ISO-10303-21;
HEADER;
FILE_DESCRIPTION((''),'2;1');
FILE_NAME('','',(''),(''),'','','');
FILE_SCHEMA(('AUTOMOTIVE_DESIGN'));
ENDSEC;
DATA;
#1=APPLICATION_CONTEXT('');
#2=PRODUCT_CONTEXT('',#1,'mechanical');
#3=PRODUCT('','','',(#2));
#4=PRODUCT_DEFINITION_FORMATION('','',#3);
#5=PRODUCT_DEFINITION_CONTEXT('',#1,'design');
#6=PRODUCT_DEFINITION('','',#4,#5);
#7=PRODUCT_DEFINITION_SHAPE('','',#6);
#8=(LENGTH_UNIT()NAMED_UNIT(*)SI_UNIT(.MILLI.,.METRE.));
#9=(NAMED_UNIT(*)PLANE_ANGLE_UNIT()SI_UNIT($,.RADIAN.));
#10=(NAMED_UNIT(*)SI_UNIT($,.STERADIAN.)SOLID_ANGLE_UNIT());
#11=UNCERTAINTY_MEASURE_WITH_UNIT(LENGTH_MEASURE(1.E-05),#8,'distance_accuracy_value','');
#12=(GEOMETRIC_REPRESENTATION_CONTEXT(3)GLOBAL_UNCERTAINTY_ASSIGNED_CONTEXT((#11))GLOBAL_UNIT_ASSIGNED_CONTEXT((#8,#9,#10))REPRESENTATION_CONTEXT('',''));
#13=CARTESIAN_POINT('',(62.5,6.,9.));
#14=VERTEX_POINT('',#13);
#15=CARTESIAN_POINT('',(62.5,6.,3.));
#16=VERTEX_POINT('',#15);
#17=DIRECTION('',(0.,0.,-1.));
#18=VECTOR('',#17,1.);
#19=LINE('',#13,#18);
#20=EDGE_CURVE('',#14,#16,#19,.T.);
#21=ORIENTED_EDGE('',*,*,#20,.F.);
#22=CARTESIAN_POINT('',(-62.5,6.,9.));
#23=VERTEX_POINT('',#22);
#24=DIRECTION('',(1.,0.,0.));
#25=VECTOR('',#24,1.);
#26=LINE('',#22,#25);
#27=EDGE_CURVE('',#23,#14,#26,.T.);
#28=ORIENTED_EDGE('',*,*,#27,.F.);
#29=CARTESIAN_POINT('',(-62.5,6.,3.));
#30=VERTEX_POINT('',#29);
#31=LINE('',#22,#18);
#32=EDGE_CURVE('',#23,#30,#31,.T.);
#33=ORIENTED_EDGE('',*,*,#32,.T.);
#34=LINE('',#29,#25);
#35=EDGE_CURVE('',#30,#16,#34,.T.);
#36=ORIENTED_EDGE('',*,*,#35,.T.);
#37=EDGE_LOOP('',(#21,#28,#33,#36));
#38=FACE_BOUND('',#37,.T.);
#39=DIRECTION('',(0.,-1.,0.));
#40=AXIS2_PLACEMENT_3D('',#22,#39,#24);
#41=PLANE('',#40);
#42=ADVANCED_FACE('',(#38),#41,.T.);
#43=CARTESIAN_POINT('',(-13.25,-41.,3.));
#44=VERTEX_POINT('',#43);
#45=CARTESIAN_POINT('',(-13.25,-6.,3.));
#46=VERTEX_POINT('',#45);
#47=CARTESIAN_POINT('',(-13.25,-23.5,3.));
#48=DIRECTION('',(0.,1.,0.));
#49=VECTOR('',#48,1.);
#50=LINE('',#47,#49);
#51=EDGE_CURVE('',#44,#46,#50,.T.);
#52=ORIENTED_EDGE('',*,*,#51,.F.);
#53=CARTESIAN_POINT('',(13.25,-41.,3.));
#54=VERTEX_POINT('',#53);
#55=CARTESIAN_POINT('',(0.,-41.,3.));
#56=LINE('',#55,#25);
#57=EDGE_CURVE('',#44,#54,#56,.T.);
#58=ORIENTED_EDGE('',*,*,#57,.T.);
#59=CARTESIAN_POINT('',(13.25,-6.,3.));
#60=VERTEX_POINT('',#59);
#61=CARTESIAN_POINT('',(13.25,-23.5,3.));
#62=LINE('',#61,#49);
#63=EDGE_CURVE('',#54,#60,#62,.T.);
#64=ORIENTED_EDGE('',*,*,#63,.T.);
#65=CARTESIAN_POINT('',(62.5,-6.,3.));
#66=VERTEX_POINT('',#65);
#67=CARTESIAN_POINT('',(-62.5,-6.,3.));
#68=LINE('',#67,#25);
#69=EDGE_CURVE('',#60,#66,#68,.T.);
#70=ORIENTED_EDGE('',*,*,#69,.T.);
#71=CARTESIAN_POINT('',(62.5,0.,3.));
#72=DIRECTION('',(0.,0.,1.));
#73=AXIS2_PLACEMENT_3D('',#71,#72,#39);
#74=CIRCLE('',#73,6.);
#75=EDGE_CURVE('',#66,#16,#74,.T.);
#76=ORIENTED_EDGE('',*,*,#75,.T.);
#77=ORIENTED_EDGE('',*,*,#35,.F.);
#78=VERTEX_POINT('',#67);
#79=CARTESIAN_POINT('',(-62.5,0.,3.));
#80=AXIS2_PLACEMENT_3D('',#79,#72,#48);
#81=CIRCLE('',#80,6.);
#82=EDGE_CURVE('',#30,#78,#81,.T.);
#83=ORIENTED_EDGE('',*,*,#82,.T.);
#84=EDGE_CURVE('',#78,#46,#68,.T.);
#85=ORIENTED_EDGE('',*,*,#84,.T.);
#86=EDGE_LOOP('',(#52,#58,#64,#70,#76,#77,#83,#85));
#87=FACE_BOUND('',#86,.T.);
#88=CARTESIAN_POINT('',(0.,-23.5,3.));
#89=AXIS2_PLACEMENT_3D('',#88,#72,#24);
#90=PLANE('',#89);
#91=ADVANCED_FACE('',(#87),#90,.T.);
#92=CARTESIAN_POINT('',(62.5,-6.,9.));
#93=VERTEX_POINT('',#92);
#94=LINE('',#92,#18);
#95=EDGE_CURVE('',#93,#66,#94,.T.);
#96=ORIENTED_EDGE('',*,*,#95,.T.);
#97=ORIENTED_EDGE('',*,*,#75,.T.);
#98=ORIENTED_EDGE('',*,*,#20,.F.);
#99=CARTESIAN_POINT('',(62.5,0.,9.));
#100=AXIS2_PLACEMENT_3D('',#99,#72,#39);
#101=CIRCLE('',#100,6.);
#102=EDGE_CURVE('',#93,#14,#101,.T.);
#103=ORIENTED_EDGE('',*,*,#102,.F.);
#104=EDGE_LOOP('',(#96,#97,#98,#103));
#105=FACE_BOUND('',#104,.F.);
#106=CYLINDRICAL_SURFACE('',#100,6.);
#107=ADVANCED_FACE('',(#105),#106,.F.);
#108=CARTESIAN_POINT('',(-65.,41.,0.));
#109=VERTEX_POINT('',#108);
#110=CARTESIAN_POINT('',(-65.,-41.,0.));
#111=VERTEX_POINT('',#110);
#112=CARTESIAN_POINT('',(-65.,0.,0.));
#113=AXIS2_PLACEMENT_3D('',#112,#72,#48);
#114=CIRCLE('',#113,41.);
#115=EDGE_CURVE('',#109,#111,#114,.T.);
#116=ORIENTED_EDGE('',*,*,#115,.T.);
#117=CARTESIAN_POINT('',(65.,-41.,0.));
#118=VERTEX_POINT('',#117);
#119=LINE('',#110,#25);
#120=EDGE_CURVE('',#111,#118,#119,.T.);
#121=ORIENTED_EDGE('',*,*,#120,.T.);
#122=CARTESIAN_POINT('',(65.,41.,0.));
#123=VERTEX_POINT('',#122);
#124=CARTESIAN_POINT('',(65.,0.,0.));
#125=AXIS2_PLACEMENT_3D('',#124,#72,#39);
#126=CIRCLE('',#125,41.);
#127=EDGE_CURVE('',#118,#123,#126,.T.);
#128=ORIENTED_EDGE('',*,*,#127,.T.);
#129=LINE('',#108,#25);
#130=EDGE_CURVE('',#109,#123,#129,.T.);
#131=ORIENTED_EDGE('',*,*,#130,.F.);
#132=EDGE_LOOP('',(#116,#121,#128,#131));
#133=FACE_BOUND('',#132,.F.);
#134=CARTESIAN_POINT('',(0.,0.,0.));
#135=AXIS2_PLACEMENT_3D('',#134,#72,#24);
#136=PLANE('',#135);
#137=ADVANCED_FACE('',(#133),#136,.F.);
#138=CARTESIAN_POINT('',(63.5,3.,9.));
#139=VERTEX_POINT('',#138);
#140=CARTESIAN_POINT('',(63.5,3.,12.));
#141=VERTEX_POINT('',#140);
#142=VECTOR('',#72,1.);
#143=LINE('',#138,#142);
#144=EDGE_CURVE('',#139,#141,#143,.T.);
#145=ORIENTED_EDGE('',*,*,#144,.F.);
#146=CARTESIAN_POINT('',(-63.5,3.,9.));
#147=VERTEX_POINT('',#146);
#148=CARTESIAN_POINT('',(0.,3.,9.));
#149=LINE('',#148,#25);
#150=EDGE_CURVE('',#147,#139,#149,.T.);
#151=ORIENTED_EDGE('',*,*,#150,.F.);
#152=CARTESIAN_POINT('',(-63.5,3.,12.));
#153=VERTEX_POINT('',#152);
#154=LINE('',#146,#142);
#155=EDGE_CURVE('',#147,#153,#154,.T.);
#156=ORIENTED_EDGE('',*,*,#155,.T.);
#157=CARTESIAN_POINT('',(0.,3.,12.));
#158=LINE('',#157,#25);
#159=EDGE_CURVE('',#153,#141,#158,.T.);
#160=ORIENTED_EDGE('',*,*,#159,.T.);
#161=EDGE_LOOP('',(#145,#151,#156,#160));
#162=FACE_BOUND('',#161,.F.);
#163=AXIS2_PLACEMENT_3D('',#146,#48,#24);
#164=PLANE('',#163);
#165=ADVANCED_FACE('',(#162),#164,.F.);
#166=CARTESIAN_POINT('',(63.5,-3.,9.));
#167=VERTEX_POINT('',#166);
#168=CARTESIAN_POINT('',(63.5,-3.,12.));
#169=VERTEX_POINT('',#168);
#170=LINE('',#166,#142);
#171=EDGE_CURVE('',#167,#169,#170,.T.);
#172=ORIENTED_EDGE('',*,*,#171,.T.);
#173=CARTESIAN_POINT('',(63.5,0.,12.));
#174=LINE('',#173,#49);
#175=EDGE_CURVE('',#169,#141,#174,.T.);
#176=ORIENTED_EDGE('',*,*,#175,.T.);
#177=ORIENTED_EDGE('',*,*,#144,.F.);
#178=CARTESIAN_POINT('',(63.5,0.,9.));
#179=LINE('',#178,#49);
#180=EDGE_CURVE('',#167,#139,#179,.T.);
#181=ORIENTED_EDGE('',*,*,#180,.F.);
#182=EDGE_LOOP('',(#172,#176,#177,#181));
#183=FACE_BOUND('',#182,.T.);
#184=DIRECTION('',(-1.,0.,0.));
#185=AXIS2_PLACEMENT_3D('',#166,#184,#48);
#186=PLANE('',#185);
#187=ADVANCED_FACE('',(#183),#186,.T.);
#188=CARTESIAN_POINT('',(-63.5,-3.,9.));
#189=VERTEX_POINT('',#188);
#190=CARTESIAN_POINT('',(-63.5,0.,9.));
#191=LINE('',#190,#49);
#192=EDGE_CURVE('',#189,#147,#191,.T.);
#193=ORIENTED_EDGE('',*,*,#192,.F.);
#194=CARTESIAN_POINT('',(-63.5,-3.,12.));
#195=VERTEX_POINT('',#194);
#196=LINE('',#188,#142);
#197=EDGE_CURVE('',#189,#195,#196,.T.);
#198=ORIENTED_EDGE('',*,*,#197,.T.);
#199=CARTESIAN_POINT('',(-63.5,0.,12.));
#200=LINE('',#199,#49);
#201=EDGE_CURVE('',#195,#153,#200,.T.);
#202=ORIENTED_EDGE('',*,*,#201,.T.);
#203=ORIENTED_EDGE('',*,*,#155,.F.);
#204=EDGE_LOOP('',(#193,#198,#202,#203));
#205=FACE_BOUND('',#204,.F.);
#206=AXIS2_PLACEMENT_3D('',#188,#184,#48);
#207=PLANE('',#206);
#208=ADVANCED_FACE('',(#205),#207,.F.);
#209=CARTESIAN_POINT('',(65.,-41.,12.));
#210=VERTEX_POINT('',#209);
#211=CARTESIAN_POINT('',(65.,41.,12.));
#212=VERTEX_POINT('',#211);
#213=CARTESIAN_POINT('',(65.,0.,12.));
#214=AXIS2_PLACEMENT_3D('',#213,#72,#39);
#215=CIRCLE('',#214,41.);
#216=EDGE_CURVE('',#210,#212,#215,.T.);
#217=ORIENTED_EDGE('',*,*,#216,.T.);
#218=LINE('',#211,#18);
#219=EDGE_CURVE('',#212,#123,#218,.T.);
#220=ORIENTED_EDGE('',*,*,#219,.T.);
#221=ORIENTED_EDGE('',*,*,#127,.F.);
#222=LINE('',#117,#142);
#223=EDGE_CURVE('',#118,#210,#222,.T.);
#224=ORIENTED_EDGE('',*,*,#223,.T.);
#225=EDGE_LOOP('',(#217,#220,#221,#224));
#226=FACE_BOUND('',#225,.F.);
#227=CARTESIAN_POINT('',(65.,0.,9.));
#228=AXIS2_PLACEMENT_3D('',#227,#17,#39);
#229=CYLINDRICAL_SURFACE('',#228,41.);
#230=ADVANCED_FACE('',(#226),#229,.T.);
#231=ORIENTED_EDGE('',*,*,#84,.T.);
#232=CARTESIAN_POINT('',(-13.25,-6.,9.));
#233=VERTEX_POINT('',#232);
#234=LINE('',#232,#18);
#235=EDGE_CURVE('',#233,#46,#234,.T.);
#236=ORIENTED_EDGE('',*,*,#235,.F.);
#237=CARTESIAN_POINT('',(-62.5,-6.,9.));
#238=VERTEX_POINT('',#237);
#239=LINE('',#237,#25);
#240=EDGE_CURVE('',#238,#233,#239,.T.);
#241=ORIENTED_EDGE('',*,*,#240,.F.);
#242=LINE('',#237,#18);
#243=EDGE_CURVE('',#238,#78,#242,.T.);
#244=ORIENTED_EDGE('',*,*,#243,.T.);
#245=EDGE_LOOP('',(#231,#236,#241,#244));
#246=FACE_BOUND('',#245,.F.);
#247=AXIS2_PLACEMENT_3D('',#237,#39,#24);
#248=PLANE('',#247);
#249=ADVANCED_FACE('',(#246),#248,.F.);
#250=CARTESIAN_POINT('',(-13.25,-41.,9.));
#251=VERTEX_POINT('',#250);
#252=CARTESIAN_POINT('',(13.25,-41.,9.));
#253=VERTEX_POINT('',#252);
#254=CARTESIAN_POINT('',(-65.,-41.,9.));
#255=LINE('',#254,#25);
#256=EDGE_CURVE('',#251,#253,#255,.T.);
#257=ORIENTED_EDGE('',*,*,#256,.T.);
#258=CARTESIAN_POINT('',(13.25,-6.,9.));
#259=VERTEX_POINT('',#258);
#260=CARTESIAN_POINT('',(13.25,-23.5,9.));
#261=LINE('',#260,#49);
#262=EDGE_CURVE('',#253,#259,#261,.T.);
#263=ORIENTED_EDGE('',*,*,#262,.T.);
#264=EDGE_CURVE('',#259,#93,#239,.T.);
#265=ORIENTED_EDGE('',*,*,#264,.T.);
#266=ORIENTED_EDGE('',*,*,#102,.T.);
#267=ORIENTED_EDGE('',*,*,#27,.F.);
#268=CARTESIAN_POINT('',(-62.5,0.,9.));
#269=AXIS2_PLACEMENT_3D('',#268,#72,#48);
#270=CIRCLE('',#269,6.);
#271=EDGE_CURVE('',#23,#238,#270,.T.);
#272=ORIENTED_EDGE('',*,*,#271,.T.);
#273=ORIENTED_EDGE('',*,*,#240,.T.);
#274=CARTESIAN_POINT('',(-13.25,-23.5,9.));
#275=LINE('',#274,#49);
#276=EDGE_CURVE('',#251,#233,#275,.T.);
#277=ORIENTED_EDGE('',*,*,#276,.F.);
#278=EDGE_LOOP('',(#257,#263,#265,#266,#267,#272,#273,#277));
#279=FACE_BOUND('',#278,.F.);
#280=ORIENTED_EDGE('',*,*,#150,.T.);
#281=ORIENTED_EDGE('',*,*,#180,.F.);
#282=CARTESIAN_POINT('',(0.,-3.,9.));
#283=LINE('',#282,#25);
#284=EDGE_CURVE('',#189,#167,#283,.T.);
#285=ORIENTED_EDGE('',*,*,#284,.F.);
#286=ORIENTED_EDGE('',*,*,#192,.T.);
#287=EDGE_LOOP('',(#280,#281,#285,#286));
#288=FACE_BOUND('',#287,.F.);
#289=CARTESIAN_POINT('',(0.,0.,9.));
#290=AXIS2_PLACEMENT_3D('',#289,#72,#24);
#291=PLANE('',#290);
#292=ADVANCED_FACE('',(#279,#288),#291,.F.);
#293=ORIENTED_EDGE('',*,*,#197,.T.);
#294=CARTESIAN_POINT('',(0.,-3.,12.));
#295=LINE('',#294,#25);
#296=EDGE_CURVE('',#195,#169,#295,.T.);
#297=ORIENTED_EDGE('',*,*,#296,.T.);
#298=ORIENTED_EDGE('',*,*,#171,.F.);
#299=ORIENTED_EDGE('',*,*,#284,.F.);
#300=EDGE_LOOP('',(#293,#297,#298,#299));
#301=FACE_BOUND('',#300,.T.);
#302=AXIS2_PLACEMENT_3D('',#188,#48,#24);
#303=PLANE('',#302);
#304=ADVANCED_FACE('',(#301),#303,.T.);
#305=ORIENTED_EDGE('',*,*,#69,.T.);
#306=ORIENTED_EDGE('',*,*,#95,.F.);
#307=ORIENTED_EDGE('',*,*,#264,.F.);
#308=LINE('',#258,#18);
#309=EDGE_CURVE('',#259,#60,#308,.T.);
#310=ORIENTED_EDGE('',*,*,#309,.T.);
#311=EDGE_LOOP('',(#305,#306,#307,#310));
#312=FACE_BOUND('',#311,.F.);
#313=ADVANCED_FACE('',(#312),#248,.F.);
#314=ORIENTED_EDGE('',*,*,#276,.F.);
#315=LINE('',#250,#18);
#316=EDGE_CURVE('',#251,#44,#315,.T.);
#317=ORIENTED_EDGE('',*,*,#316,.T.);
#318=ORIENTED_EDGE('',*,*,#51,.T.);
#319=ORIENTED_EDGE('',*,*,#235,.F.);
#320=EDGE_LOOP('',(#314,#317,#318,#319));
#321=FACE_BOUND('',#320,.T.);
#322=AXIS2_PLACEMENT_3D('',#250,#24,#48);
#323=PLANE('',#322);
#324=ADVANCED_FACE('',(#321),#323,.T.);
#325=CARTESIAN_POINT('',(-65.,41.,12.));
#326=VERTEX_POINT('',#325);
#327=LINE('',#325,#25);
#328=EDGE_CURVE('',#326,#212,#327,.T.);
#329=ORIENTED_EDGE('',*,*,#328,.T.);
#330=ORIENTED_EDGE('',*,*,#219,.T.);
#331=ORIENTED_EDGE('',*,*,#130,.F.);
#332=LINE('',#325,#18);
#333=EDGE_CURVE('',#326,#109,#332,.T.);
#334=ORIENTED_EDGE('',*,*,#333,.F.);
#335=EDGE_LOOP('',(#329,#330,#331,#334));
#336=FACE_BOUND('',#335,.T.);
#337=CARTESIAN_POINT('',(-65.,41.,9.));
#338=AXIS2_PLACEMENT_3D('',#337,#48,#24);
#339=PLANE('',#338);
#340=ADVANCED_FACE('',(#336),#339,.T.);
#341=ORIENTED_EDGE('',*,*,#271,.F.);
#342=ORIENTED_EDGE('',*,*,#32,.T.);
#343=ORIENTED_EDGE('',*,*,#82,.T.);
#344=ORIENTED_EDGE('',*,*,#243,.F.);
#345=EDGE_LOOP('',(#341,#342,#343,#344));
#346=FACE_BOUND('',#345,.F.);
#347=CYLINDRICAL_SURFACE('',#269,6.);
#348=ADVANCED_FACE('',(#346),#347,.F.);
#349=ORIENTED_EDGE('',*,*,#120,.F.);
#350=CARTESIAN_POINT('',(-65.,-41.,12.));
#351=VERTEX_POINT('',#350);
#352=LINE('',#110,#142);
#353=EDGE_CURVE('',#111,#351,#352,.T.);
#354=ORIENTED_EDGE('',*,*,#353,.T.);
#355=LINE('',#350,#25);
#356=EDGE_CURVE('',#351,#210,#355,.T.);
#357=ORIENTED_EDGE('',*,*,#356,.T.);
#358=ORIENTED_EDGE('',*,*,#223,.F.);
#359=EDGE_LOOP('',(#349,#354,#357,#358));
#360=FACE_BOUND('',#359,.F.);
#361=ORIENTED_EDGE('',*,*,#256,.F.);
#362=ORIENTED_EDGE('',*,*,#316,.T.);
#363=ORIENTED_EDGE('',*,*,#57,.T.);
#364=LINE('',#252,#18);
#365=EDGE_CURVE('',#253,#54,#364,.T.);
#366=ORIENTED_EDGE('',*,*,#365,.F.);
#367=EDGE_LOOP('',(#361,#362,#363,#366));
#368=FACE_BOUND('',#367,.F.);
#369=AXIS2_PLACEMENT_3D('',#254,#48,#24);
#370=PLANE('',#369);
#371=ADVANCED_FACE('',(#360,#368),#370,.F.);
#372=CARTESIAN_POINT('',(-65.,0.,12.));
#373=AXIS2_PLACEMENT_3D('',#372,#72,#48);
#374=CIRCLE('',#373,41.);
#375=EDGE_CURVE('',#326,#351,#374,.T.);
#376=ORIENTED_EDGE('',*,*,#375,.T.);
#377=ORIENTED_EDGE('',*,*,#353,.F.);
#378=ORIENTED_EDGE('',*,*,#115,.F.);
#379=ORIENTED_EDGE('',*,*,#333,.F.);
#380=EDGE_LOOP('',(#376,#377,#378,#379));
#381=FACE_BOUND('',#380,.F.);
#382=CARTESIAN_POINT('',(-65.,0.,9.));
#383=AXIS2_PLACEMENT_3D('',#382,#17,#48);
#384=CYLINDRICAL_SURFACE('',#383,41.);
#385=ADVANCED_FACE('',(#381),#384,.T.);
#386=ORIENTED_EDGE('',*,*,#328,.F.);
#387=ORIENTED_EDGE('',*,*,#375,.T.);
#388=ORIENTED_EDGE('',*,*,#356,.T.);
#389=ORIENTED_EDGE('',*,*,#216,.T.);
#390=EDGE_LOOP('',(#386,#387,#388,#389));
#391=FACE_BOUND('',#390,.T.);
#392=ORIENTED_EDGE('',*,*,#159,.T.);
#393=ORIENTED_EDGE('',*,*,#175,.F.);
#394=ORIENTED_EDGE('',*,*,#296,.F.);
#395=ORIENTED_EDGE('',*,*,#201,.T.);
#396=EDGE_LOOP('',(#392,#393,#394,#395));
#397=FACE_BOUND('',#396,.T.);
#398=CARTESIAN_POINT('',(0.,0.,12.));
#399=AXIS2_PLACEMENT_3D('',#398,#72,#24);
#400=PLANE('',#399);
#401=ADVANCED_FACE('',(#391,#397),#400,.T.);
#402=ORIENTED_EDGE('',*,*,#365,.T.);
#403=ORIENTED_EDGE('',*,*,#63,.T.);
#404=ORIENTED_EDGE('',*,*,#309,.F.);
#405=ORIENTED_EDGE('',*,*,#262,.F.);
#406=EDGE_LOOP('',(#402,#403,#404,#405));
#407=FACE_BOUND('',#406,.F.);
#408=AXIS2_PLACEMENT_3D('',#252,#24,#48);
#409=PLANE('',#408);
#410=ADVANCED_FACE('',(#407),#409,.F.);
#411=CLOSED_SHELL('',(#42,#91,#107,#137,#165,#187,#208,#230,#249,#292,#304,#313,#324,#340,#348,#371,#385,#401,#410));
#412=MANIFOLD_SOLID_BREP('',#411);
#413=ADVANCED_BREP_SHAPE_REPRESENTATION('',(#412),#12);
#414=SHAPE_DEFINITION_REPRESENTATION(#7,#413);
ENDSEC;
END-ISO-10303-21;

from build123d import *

# Parameters (mm, degrees)
PAD_DEPTH       = 9
POCKET_DEPTH    = 6
SKETCH002_W     = 26.5
SKETCH002_H     = 35
POCKET001_DEPTH = 6
SKETCH003_W     = 127
SKETCH003_H     = 6
PAD001_DEPTH    = 3


with BuildPart() as part:
    # Sketch → Pad (new body)
    with BuildSketch(Plane.XY):
        with BuildLine():
            ThreePointArc((-65, 41), (-106, 0), (-65, -41))
            Line((-65, -41), (65, -41))
            ThreePointArc((65, -41), (106, 0), (65, 41))
            Line((-65, 41), (65, 41))
        make_face()
    extrude(amount=PAD_DEPTH)

    # Sketch001 (on Face6 of Pad) → Pocket (cut)
    with BuildSketch(Plane.XY.offset(9)):
        with BuildLine():
            ThreePointArc((-62.5, 6), (-68.5, 0), (-62.5, -6))
            Line((-62.5, -6), (62.5, -6))
            ThreePointArc((62.5, -6), (68.5, 0), (62.5, 6))
            Line((-62.5, 6), (62.5, 6))
        make_face()
    extrude(amount=-POCKET_DEPTH, mode=Mode.SUBTRACT)

    # Sketch002 (on Face5 of Pocket) → Pocket001 (cut)
    with BuildSketch(Plane.XY.offset(9)):
        with Locations((0, -23.5)):
            Rectangle(SKETCH002_W, SKETCH002_H)
    extrude(amount=-POCKET001_DEPTH, mode=Mode.SUBTRACT)

    # Sketch003 (on Face5 of Pocket001) → Pad001 (join)
    with BuildSketch(Plane.XY.offset(9)):
        with BuildLine():
            ThreePointArc((-65, 41), (-106, 0), (-65, -41))
            Line((-65, -41), (65, -41))
            ThreePointArc((65, -41), (106, 0), (65, 41))
            Line((-65, 41), (65, 41))
        make_face()
        Rectangle(SKETCH003_W, SKETCH003_H, mode=Mode.SUBTRACT)
    extrude(amount=PAD001_DEPTH)


solid = part.part
